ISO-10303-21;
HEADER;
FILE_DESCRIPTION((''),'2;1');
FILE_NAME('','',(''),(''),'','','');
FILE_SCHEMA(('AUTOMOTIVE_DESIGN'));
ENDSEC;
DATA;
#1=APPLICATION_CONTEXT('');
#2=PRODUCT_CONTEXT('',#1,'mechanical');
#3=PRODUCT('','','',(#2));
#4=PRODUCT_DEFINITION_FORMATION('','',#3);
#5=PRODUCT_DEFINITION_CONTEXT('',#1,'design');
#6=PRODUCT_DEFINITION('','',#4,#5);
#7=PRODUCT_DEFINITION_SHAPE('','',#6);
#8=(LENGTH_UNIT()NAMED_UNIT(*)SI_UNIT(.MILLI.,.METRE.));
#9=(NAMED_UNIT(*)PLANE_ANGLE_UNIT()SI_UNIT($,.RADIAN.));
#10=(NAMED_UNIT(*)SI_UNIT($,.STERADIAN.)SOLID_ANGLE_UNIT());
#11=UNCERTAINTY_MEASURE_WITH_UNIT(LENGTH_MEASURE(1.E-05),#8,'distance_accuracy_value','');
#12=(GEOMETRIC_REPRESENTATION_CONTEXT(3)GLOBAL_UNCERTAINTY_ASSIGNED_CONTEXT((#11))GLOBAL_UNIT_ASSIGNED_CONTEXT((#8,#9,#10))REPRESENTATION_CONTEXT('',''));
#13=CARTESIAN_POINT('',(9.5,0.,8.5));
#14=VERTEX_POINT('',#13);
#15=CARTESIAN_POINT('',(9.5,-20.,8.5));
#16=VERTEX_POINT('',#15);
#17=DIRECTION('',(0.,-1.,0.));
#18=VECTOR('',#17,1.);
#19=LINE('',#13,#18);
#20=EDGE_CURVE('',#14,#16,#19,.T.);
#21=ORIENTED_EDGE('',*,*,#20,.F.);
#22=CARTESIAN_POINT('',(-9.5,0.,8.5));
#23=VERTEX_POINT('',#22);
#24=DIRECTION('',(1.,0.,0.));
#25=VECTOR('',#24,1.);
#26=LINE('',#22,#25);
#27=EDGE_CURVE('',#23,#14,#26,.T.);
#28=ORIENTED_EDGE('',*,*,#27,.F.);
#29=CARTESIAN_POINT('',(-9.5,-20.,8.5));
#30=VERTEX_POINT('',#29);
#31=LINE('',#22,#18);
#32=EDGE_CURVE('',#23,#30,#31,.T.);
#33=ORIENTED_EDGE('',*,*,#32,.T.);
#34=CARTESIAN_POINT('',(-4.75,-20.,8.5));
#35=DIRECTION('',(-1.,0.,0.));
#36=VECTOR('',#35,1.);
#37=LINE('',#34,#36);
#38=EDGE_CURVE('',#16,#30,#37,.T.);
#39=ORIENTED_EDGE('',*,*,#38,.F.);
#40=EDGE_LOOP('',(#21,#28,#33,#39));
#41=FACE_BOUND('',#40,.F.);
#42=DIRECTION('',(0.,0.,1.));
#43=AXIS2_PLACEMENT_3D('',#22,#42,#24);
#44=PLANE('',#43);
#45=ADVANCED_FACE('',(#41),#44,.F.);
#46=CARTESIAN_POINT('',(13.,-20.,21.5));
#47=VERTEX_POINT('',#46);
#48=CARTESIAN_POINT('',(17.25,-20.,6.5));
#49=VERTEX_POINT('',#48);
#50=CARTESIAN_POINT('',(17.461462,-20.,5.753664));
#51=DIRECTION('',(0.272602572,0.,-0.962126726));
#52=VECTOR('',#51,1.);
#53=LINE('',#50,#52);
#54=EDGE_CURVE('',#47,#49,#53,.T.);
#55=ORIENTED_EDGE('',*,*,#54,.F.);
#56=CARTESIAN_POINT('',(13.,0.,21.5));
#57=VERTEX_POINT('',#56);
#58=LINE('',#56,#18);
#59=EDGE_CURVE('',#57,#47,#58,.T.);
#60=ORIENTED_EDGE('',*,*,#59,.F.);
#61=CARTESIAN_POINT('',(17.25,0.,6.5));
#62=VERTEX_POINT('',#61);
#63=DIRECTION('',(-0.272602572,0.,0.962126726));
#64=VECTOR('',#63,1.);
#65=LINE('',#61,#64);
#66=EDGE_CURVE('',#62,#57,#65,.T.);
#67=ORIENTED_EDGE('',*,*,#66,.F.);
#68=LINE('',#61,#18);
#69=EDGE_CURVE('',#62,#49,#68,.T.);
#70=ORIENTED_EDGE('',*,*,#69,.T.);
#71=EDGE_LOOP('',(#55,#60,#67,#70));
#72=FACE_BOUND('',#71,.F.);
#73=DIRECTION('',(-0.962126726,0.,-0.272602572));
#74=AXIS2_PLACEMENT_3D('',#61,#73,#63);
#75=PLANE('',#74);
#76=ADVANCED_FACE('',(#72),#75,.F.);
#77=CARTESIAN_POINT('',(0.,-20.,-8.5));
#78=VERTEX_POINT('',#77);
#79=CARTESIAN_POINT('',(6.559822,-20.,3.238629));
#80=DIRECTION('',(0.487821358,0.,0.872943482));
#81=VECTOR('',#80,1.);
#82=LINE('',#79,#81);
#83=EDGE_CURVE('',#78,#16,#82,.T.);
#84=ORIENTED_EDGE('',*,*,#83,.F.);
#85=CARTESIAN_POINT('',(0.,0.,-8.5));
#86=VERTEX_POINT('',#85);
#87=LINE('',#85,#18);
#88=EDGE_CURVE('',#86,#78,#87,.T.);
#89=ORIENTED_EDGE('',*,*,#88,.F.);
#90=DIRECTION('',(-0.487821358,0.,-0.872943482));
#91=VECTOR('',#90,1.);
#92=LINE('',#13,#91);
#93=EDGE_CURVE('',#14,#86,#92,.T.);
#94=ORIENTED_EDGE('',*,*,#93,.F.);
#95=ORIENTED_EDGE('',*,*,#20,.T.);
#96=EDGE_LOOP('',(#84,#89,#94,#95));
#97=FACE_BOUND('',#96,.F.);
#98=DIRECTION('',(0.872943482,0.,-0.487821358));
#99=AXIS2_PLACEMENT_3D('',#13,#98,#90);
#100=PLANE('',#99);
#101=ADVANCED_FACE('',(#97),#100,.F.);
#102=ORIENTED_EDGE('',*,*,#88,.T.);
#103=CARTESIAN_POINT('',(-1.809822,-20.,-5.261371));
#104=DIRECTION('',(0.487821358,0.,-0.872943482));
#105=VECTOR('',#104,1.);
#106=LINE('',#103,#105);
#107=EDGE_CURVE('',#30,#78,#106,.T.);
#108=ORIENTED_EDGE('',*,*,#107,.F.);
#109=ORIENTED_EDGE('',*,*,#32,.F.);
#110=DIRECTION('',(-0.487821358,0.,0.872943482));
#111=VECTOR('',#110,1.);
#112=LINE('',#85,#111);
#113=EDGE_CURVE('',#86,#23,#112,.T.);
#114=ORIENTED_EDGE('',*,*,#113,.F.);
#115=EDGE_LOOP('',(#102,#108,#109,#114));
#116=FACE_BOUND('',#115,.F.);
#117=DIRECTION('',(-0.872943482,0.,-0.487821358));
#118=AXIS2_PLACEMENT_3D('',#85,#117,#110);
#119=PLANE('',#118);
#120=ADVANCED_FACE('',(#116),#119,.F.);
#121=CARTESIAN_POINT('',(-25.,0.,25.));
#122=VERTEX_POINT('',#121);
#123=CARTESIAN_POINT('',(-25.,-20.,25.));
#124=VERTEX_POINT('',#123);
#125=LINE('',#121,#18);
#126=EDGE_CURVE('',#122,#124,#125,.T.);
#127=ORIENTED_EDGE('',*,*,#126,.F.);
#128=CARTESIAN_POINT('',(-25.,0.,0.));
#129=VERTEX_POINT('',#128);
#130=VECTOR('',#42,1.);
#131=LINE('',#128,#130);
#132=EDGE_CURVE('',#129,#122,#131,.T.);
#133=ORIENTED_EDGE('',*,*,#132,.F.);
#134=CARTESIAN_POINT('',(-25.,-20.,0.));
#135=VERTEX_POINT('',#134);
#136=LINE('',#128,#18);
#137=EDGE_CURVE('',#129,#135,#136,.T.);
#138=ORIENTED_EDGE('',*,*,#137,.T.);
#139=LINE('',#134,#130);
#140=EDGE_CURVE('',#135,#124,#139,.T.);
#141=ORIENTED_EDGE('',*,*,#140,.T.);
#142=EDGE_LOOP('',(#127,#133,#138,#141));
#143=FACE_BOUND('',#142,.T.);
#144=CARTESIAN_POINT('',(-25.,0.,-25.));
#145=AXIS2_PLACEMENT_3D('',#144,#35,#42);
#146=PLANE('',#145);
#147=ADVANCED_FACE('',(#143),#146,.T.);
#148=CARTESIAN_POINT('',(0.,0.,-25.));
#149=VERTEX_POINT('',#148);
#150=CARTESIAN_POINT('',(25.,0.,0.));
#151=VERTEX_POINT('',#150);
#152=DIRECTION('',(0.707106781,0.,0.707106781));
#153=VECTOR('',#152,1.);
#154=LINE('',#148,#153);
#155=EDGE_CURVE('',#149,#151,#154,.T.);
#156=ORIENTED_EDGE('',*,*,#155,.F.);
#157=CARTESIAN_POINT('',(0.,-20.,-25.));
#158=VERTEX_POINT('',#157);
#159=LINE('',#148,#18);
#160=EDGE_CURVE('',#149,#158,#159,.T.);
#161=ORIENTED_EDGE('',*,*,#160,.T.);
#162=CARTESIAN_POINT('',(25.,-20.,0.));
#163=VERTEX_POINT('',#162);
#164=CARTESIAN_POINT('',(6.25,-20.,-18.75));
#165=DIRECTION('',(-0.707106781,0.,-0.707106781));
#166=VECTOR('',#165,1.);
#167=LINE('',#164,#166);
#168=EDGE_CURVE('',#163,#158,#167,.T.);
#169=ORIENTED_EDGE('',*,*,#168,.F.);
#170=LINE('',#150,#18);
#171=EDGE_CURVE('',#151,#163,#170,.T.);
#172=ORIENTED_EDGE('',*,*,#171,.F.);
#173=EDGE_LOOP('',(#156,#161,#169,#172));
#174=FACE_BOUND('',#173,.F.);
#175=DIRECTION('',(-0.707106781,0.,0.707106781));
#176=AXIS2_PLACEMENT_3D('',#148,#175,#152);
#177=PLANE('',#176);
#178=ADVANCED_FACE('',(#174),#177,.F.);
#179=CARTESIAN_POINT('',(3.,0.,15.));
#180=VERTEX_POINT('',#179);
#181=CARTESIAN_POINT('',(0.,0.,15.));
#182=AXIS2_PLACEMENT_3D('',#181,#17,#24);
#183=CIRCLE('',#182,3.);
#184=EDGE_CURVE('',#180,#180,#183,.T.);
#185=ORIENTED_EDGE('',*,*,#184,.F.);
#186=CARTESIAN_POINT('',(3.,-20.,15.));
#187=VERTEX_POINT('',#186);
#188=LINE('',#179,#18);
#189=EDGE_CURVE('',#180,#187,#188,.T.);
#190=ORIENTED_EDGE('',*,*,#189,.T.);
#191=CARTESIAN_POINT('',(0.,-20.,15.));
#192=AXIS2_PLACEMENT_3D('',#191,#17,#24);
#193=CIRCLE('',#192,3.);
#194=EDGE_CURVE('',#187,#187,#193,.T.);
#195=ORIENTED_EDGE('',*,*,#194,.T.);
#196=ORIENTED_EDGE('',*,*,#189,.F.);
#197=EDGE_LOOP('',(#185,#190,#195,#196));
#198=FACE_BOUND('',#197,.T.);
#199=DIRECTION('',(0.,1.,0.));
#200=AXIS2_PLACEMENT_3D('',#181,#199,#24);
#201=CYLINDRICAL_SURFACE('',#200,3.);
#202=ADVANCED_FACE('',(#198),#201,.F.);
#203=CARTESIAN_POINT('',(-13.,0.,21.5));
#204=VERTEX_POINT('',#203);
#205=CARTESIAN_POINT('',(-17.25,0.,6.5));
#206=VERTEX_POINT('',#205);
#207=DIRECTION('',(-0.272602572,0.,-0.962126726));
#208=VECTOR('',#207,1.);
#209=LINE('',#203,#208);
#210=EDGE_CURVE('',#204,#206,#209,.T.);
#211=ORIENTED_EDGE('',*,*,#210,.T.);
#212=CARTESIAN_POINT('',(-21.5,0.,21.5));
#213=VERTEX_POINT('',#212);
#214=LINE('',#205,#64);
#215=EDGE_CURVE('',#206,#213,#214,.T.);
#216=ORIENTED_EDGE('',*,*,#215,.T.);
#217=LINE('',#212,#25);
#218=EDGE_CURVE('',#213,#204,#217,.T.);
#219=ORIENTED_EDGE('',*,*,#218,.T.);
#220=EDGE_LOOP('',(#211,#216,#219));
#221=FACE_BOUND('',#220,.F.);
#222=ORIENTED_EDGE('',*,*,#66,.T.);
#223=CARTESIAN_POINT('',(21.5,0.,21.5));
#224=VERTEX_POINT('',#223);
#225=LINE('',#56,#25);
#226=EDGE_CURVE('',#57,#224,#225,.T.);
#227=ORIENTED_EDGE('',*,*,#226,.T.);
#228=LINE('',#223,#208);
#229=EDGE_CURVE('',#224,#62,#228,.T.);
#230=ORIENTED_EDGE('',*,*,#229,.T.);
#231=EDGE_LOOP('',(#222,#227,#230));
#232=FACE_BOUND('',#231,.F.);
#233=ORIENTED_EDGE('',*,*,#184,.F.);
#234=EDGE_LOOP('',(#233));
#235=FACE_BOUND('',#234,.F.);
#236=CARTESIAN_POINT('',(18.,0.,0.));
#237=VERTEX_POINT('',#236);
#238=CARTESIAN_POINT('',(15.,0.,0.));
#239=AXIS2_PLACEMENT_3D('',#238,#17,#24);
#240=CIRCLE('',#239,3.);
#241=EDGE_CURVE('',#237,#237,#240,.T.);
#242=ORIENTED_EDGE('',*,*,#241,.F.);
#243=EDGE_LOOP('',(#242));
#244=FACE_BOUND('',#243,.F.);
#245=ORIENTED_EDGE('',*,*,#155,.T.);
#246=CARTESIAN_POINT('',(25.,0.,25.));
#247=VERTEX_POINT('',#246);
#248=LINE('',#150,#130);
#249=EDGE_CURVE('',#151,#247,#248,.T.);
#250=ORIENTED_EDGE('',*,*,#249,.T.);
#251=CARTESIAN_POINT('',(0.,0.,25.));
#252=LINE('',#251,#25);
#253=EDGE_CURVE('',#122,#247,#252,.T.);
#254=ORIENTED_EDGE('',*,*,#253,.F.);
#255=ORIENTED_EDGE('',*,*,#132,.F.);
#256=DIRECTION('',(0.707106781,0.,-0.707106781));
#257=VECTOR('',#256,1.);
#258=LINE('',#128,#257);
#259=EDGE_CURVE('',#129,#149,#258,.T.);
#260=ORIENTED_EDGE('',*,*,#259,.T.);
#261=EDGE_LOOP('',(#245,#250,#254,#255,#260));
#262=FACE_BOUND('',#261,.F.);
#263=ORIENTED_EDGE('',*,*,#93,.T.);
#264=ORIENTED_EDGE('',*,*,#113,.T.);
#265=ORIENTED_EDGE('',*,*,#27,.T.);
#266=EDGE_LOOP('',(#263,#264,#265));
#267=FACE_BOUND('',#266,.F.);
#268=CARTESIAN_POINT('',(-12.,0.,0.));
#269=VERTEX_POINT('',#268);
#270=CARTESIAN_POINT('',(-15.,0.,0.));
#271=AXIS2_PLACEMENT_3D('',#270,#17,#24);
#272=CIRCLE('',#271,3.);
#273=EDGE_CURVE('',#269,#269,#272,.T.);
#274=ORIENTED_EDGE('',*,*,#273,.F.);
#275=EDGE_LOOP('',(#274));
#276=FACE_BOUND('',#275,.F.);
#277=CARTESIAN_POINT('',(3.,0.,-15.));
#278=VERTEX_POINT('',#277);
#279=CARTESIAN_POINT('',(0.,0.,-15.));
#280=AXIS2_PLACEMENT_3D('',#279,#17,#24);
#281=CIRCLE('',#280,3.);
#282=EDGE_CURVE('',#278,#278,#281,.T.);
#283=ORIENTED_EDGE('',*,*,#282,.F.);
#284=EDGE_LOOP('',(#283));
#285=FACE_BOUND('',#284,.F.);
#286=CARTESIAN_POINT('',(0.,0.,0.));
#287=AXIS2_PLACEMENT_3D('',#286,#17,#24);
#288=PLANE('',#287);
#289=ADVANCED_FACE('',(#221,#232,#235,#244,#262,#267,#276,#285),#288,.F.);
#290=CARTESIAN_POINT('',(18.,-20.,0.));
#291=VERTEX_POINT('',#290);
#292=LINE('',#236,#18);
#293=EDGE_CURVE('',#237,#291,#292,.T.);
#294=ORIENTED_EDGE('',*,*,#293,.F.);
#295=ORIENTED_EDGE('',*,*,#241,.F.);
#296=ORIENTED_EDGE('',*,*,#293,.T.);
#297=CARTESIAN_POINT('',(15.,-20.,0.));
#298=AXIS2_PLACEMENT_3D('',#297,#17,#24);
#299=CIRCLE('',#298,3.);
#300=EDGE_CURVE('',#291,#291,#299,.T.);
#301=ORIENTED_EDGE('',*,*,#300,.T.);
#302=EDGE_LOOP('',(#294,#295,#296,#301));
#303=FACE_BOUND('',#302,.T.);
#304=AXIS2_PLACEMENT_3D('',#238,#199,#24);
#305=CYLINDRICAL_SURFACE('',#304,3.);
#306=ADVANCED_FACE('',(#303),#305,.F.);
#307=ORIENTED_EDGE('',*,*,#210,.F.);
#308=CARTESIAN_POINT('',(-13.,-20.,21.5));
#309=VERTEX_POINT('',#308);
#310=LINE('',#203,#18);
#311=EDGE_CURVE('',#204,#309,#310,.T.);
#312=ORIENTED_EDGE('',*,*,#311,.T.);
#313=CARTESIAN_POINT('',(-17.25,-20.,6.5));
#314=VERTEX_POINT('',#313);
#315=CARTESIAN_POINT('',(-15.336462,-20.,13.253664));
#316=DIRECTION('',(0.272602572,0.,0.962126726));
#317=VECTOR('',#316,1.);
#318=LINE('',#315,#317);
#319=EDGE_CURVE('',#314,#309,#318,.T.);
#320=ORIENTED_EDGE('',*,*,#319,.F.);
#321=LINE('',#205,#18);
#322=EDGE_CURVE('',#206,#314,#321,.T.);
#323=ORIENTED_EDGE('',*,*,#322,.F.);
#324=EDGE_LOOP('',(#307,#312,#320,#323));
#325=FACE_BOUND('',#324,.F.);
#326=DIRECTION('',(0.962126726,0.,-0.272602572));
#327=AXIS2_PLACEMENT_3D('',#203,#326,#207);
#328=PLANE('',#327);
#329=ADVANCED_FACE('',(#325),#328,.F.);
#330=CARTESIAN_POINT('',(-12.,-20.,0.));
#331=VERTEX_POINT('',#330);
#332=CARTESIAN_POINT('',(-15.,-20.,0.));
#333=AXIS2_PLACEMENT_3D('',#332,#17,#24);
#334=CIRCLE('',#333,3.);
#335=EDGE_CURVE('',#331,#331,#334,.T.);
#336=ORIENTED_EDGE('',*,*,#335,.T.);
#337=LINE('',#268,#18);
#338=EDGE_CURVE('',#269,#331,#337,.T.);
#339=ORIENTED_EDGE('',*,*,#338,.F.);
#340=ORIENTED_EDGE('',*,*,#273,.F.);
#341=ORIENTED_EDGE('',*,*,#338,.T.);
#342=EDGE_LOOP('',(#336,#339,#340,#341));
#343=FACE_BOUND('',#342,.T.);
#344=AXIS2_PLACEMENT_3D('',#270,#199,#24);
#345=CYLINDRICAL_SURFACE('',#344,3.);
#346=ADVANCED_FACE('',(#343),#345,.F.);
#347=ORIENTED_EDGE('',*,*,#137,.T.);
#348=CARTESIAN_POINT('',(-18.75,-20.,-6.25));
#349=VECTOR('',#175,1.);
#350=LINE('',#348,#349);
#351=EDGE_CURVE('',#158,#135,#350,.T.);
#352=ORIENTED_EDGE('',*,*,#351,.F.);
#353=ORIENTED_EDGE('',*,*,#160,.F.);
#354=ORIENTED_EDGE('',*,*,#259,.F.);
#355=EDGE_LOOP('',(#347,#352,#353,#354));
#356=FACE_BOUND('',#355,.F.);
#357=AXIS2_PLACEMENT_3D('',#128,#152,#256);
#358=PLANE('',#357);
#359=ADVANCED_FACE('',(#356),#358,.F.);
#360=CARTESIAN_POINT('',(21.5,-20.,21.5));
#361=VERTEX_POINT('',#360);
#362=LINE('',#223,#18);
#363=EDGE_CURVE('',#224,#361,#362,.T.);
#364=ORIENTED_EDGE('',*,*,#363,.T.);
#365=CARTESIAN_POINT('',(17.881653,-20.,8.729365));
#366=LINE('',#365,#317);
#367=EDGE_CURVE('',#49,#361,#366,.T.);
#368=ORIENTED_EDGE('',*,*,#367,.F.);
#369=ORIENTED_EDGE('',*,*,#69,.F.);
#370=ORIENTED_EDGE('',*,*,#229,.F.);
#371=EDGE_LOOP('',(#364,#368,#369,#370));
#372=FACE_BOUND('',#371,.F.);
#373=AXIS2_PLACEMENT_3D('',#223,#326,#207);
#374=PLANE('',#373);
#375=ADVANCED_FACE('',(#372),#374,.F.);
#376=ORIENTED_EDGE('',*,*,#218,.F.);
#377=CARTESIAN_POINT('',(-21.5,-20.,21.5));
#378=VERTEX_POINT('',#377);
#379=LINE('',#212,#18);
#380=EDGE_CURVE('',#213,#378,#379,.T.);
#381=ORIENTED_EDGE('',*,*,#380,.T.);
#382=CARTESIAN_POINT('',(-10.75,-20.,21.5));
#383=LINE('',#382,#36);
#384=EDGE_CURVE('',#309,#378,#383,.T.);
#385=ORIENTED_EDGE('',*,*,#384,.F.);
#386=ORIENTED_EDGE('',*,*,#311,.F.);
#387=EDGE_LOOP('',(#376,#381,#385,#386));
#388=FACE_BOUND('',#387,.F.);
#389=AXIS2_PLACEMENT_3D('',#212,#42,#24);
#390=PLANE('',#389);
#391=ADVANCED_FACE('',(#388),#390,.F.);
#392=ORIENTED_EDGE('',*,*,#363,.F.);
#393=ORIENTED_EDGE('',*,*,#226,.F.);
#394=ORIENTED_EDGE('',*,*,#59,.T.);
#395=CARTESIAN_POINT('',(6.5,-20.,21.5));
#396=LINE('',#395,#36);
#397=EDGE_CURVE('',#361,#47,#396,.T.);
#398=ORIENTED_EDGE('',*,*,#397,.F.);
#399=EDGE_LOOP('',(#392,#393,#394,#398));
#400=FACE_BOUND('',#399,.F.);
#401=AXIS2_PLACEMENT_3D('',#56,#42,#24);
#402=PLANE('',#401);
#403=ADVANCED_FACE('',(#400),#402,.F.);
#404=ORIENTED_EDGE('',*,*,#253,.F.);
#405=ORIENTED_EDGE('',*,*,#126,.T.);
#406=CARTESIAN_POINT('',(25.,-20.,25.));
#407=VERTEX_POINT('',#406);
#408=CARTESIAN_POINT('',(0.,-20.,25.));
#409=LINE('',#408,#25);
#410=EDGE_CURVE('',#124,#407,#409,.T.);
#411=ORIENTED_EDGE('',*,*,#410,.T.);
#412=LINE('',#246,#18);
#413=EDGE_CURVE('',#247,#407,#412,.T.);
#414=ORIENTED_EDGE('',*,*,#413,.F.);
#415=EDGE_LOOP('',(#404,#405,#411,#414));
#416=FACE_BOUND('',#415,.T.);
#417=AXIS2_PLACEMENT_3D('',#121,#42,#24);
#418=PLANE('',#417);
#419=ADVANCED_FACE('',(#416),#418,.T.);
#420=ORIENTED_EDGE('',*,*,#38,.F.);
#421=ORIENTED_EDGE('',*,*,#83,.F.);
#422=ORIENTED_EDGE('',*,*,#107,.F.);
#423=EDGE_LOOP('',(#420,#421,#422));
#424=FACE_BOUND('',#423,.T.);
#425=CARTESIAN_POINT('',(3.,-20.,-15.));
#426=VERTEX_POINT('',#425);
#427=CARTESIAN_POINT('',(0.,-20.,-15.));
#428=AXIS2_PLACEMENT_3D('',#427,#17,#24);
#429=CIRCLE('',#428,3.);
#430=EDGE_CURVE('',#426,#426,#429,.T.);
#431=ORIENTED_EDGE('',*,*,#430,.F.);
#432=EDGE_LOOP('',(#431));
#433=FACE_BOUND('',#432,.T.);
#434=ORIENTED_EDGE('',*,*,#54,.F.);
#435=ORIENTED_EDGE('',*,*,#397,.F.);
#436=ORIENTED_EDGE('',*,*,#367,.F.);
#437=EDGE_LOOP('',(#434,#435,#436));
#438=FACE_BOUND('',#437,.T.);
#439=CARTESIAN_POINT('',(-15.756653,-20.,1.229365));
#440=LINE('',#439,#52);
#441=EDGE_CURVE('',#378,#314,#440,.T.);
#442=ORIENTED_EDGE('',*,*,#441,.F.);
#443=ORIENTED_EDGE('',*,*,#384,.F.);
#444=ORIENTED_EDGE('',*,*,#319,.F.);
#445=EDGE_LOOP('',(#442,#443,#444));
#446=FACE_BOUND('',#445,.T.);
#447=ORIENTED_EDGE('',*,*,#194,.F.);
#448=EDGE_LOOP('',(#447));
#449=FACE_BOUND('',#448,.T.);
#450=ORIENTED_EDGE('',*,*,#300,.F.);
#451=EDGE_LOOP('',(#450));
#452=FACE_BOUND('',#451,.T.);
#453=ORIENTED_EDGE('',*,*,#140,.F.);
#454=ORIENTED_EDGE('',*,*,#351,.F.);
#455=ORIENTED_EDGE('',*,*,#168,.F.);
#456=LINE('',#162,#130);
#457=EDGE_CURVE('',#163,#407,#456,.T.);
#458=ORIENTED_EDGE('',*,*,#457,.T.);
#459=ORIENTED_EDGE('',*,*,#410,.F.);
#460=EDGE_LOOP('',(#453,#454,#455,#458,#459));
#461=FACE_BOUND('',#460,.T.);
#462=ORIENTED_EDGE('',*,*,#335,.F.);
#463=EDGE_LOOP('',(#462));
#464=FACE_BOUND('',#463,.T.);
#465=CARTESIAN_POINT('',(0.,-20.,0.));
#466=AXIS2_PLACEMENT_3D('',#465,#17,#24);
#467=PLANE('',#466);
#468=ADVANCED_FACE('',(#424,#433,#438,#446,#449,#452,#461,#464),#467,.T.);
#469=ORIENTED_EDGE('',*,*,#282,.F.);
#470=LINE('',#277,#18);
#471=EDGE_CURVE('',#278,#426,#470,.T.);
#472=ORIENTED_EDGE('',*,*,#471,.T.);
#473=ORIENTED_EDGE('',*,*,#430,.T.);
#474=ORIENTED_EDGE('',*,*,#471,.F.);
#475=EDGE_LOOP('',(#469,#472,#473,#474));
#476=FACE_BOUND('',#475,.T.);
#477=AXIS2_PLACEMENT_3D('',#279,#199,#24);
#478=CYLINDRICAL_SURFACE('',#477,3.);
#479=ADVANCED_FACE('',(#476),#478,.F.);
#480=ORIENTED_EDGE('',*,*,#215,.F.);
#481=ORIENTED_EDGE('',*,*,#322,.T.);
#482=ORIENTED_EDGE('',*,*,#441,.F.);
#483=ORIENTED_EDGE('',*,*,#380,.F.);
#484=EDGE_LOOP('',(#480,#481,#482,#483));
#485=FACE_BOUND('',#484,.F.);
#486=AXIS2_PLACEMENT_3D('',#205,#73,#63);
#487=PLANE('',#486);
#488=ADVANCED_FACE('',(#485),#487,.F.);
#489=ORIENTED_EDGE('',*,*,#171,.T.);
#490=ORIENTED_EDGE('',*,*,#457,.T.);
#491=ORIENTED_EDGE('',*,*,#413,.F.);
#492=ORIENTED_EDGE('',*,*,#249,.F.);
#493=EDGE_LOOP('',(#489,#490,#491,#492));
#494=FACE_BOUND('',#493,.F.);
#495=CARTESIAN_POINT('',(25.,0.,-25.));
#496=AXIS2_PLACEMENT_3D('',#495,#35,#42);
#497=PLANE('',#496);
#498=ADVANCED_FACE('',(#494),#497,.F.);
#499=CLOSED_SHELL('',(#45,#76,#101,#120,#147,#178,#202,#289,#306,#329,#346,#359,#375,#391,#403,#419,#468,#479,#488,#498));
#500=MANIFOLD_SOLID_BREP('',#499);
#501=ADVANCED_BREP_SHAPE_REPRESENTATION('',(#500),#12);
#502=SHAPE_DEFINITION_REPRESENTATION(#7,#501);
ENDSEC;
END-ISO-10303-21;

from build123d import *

# Parameters (mm, degrees)
F0_W     = 50
F0_H     = 50
F0_R     = 3
F1_DEPTH = 20
F3_DEPTH = 20.001


with BuildPart() as f1:
    # F0 (on Front) → F1 (new body)
    with BuildSketch(Plane.XZ):
        Rectangle(F0_W, F0_H)
        with Locations((0, -15)):
            Circle(F0_R, mode=Mode.SUBTRACT)
        with Locations((-15, 0)):
            Circle(F0_R, mode=Mode.SUBTRACT)
        with Locations((15, 0)):
            Circle(F0_R, mode=Mode.SUBTRACT)
        with Locations((0, 15)):
            Circle(F0_R, mode=Mode.SUBTRACT)
    extrude(amount=F1_DEPTH)

    # F2 (on face) → F3 (cut, through all)
    with BuildSketch(Plane(origin=(0, 0, 0), x_dir=(-1, 0, 0), z_dir=(0, 1, 0))):
        Polygon((-13, 21.5), (-21.5, 21.5), (-17.25, 6.5), align=None)
        Polygon((0, -8.5), (9.5, 8.5), (-9.5, 8.5), align=None)
        Polygon((21.5, 21.5), (13, 21.5), (17.25, 6.5), align=None)
        Polygon((-25, -25), (0, -25), (-25, 0), align=None)
        Polygon((25, 0), (0, -25), (25, -25), align=None)
    extrude(amount=-F3_DEPTH, mode=Mode.SUBTRACT)


solid = f1.part
